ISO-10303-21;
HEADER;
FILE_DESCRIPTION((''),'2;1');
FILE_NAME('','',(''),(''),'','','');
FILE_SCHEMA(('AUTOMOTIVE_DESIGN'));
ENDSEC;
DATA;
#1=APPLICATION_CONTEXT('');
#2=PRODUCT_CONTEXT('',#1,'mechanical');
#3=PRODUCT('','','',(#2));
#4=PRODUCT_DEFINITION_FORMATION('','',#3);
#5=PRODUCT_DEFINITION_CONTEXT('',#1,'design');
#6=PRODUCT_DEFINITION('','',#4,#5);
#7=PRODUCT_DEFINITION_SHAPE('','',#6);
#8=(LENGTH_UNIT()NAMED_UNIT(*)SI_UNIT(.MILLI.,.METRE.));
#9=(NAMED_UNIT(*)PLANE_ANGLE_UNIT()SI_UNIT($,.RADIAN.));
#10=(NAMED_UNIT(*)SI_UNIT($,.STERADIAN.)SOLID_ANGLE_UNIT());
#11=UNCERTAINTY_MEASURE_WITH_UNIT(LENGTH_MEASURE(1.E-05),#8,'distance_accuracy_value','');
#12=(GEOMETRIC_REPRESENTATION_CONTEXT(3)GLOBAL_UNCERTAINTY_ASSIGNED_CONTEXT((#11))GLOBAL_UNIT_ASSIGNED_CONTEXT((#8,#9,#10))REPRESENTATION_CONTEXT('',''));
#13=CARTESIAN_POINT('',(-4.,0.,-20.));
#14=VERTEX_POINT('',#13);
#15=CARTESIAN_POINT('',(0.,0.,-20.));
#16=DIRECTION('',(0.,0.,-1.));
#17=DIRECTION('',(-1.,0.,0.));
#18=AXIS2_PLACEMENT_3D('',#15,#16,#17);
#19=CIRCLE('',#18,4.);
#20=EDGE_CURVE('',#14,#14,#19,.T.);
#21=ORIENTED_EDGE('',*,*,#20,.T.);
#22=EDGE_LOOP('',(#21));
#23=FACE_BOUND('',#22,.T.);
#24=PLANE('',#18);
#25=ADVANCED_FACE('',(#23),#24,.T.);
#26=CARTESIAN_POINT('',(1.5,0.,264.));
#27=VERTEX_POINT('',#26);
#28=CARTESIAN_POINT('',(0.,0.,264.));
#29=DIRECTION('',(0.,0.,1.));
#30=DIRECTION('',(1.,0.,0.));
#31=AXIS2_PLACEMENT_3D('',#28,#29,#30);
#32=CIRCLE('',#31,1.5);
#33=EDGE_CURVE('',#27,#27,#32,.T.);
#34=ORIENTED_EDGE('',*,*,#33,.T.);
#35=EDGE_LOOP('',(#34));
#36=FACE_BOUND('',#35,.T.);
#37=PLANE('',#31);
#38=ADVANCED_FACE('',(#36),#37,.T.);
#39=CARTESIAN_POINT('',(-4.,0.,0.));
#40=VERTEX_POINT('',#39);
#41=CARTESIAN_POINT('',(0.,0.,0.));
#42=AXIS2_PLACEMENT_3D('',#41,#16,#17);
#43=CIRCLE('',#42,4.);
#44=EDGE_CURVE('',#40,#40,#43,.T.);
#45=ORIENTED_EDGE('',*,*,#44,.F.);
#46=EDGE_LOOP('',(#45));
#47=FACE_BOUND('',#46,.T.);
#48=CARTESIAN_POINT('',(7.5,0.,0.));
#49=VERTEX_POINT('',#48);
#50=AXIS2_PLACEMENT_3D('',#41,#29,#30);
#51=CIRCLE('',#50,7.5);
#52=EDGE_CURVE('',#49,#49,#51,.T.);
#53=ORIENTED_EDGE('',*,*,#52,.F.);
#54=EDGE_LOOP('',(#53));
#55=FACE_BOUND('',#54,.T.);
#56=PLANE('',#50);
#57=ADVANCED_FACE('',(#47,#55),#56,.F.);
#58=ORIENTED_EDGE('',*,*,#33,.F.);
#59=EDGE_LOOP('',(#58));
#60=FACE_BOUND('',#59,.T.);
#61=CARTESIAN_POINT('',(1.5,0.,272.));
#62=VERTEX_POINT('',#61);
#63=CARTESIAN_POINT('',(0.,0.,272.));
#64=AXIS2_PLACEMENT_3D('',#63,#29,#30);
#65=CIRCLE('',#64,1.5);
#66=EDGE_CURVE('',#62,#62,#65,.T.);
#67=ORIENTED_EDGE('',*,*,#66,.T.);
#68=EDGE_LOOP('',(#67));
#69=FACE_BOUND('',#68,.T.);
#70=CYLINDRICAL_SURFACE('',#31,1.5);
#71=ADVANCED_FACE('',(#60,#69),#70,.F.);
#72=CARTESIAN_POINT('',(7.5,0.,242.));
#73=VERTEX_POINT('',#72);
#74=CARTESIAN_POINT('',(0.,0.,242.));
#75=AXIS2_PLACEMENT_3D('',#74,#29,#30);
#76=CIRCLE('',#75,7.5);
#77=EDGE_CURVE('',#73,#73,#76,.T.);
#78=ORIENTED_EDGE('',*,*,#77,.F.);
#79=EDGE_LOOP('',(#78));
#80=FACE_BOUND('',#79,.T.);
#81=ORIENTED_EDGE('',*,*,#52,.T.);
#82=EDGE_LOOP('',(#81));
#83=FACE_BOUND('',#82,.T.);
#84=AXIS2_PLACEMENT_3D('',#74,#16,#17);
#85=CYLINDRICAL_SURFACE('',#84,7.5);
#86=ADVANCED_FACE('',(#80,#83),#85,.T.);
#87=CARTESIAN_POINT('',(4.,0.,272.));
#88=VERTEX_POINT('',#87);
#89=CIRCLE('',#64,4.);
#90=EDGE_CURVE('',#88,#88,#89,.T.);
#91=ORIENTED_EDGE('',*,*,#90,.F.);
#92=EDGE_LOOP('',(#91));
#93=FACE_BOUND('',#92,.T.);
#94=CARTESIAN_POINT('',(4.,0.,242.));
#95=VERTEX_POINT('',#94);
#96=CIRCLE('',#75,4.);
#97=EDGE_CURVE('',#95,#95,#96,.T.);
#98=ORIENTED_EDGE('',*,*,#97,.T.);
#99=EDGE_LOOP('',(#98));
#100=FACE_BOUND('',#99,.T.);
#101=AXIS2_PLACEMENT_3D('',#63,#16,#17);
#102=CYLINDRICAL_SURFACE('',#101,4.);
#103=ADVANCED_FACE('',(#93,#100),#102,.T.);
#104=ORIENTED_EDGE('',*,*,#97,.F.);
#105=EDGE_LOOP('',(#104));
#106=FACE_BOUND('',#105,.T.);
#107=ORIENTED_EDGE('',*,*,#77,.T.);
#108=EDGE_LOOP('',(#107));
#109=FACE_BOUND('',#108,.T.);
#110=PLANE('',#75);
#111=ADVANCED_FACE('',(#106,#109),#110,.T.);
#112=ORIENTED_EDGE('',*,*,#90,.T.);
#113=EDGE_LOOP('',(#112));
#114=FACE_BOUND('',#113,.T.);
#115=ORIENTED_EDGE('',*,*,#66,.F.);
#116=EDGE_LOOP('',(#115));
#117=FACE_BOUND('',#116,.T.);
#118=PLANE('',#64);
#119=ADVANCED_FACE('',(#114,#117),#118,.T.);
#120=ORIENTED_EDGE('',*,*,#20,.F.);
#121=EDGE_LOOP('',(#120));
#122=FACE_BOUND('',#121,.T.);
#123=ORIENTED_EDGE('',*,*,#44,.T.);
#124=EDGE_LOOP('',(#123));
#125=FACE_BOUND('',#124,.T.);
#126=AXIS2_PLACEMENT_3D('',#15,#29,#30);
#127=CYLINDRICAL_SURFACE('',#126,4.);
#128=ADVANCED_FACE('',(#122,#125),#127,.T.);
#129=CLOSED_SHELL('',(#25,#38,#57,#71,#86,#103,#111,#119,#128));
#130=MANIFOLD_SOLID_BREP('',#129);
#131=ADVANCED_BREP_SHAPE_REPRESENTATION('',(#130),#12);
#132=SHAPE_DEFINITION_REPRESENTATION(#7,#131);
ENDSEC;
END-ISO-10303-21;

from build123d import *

# Parameters (mm, degrees)
SKETCH1_R           = 7.5
BOSS_EXTRUDE1_DEPTH = 242
SKETCH2_R           = 4
BOSS_EXTRUDE2_DEPTH = 30
SKETCH3_R           = 4
BOSS_EXTRUDE3_DEPTH = 20
SKETCH4_R           = 1.5
CUT_EXTRUDE1_DEPTH  = 8


with BuildPart() as part:
    # Sketch1 → Boss-Extrude1 (new body)
    with BuildSketch(Plane.XY):
        Circle(SKETCH1_R)
    extrude(amount=BOSS_EXTRUDE1_DEPTH)

    # Sketch2 → Boss-Extrude2 (add)
    with BuildSketch(Plane.XY.offset(242)):
        Circle(SKETCH2_R)
    extrude(amount=BOSS_EXTRUDE2_DEPTH)

    # Sketch3 → Boss-Extrude3 (add)
    with BuildSketch(Plane(origin=(0, 0, 0), x_dir=(-1, 0, 0), z_dir=(0, 0, -1))):
        Circle(SKETCH3_R)
    extrude(amount=BOSS_EXTRUDE3_DEPTH)

    # Sketch4 → Cut-Extrude1 (cut)
    with BuildSketch(Plane.XY.offset(272)):
        Circle(SKETCH4_R)
    extrude(amount=-CUT_EXTRUDE1_DEPTH, mode=Mode.SUBTRACT)


solid = part.part
